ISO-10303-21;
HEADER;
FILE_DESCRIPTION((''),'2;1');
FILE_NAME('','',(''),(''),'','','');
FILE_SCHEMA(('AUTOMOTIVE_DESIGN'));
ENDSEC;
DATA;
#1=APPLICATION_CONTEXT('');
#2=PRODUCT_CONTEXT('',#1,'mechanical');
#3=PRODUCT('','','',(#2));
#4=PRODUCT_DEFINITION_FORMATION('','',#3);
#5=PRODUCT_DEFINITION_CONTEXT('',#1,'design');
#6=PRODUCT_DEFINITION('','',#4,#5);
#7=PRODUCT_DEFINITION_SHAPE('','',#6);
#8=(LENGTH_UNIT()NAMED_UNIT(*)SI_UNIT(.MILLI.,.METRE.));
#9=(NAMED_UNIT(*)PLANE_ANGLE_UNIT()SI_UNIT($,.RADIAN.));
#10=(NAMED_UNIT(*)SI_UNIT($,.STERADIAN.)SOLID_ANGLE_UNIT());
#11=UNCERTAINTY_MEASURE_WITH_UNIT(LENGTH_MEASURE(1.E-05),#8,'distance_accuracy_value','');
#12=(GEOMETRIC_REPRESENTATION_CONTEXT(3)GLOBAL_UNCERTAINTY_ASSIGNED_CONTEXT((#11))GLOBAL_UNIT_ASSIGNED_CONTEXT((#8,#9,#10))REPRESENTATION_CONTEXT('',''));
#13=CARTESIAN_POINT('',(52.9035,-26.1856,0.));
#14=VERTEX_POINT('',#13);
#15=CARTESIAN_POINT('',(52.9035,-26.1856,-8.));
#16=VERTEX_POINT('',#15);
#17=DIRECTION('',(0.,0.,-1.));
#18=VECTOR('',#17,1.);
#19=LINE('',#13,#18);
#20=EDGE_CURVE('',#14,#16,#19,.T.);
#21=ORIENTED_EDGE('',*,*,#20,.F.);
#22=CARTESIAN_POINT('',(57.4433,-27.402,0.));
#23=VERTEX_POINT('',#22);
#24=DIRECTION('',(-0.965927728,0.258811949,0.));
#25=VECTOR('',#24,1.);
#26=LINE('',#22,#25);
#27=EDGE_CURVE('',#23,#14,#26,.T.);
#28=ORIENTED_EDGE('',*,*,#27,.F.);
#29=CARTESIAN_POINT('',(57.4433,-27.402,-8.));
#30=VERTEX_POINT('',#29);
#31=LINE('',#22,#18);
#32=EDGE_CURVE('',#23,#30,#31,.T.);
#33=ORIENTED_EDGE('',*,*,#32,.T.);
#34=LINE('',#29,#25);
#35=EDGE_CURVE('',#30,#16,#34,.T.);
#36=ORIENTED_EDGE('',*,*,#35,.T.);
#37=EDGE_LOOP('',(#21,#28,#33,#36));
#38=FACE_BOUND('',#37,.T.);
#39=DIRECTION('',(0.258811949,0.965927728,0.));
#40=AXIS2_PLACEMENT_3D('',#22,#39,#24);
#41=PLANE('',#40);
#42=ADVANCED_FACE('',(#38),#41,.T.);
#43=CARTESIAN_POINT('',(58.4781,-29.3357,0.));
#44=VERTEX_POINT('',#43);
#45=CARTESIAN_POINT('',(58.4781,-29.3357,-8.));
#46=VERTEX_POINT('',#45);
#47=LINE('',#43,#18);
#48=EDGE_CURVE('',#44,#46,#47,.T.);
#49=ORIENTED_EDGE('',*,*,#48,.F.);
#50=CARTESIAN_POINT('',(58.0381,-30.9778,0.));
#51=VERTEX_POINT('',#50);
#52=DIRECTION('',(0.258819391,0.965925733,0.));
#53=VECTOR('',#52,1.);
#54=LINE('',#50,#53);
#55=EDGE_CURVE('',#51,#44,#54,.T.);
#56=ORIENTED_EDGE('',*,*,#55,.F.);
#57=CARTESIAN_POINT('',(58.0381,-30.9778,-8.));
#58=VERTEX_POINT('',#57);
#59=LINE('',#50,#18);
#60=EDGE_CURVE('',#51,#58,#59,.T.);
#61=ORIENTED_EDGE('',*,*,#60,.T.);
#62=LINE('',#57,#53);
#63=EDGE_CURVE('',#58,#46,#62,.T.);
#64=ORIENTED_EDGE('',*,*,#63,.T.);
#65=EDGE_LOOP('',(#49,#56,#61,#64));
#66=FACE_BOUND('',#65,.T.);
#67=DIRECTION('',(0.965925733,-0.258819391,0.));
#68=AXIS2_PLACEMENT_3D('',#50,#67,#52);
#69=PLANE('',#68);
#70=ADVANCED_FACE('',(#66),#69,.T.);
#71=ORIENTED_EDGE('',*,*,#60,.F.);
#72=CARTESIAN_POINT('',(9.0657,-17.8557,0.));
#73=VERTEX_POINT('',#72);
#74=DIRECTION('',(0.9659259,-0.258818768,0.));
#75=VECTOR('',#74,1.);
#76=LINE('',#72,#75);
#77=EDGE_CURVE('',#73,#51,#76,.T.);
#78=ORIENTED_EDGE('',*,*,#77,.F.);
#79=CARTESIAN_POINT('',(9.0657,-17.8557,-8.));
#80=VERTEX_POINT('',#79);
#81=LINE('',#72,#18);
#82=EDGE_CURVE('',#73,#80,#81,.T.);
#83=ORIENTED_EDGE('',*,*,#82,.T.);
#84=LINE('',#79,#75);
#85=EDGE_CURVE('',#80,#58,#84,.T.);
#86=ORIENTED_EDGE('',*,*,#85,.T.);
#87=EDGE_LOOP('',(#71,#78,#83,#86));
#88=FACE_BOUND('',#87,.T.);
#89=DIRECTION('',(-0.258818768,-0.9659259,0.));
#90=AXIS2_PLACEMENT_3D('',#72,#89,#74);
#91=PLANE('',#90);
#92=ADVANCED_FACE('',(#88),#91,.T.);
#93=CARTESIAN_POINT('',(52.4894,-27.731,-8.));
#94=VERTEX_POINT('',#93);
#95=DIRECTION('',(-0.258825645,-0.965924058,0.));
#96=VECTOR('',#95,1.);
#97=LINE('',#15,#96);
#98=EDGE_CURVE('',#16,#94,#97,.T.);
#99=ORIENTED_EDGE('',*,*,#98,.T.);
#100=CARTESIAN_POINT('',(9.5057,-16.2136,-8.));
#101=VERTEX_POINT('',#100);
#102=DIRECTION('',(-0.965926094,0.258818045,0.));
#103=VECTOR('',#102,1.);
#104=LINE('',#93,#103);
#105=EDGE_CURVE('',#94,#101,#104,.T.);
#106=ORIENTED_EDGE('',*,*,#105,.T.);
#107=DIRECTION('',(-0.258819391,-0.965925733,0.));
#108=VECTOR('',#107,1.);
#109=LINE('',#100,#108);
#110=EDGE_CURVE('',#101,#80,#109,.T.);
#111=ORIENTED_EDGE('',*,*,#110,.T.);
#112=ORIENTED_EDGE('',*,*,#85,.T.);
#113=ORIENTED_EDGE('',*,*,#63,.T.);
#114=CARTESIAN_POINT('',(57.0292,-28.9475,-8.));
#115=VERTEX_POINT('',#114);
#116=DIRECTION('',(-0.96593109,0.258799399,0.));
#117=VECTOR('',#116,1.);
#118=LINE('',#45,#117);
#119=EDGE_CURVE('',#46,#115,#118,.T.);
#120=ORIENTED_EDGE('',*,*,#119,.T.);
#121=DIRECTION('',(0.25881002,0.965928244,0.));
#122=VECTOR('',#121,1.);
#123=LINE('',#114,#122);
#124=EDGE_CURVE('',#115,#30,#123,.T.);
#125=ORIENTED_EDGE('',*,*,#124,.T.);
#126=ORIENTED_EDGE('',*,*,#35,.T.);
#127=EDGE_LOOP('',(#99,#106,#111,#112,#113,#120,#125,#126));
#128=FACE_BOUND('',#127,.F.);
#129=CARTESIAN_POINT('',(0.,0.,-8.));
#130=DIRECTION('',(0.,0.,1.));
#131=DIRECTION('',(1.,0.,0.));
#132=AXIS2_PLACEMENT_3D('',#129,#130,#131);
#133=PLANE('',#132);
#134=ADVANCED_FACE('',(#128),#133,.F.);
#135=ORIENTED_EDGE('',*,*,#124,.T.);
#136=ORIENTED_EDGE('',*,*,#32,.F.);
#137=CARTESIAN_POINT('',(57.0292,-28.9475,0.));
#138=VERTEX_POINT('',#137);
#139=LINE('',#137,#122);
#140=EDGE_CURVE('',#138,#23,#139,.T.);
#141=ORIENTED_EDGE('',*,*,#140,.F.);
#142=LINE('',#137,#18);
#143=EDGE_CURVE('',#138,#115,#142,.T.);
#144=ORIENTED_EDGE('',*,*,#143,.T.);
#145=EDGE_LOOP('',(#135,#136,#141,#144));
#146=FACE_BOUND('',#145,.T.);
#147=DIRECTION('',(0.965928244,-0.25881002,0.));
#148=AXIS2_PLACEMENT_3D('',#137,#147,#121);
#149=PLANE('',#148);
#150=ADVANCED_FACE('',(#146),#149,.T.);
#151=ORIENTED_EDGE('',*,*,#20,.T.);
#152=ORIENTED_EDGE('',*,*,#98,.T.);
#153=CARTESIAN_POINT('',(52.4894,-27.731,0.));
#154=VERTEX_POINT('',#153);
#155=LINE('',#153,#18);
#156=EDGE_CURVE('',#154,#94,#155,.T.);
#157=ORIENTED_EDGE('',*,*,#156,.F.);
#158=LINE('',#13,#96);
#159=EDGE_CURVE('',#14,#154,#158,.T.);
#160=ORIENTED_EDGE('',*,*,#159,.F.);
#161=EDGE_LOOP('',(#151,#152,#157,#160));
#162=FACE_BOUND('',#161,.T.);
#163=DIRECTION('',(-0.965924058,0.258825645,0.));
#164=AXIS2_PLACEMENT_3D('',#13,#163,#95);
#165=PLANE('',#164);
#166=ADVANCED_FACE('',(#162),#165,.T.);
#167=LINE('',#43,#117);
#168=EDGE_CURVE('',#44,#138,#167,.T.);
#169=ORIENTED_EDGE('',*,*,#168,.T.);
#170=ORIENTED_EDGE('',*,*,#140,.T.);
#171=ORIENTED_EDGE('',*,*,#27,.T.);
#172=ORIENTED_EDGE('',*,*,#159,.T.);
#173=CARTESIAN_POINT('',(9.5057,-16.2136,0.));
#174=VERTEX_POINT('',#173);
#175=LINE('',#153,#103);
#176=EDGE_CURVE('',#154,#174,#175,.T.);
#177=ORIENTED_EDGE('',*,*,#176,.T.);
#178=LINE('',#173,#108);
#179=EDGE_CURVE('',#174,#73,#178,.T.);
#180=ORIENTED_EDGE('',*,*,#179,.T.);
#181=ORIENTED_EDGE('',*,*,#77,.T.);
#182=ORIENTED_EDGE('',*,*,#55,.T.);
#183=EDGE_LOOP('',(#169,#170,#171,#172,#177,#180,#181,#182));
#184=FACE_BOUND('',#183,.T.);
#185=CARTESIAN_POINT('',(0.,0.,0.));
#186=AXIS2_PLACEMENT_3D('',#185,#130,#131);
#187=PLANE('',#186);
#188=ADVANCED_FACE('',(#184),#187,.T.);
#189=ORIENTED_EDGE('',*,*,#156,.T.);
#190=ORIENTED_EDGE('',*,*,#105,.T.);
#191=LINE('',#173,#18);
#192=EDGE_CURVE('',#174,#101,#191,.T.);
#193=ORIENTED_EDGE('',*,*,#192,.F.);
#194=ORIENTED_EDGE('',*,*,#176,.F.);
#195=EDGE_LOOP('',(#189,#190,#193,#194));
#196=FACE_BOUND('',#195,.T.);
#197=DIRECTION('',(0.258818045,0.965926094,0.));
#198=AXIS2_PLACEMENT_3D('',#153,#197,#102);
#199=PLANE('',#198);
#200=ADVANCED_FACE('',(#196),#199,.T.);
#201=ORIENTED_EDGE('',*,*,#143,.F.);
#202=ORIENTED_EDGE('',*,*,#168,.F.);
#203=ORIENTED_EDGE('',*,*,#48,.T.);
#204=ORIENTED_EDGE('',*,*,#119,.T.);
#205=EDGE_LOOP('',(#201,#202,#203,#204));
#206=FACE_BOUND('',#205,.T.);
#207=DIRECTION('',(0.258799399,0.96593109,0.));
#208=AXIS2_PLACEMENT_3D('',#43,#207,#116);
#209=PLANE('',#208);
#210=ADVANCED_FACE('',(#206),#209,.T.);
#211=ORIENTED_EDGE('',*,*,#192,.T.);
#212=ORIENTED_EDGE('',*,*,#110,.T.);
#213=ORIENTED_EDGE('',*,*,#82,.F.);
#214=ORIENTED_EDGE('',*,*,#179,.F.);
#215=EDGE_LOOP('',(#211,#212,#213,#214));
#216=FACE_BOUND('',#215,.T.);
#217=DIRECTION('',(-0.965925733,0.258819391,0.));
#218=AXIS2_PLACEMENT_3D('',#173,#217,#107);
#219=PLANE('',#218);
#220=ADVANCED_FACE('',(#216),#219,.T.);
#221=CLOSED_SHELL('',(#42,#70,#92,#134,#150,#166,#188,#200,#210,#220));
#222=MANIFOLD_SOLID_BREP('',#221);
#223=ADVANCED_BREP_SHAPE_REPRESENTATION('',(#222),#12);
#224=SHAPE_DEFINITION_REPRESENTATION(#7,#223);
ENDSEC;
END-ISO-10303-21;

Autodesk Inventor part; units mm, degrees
ref_plane "YZ Plane" through (0, 0, 0) normal (1, 0, 0) x (0, 1, 0)
ref_plane "XZ Plane" through (0, 0, 0) normal (0, 1, 0) x (-1, 0, 0)
ref_plane "XY Plane" through (0, 0, 0) normal (0, 0, 1) x (1, 0, 0)
sketch "Skizze1" plane through (0, 0, 0) normal (0, 0, 1) x (1, 0, 0)
  line L0 (52.7974, -26.0018) -> (57.627, -27.2959) projected
  line L1 (52.3833, -27.5473) -> (52.7974, -26.0018) projected
  line L2 (57.627, -27.2959) -> (57.2129, -28.8414) projected
  line L3 (58.6618, -29.2296) -> (58.1442, -31.1615) projected
  line L4 (57.2129, -28.8414) -> (58.6618, -29.2296) projected
  line L5 (58.1442, -31.1615) -> (8.882, -17.9617)
  line L6 (8.882, -17.9617) -> (9.3996, -16.0299)
  line L7 (9.3996, -16.0299) -> (52.3833, -27.5473)
  line L8 (9.0657, -17.8557) -> (58.0381, -30.9778)
  line L9 (58.0381, -30.9778) -> (58.4781, -29.3357)
  line L10 (58.4781, -29.3357) -> (57.0292, -28.9475)
  line L11 (57.0292, -28.9475) -> (57.4433, -27.402)
  line L12 (57.4433, -27.402) -> (52.9035, -26.1856)
  line L13 (52.9035, -26.1856) -> (52.4894, -27.731)
  line L14 (52.4894, -27.731) -> (9.5057, -16.2136)
  line L15 (9.5057, -16.2136) -> (9.0657, -17.8557)
  point P0 (0, 0)
  dimension "d0" = 51
  dimension "d2" = 2
  dimension "d5" = 0.15
extrude "Extrusion1" add sketch "Skizze1" against normal blind 8 contours L15 L14 L13 L12 L11 L10 L9 L8
properties part number "Spring"
